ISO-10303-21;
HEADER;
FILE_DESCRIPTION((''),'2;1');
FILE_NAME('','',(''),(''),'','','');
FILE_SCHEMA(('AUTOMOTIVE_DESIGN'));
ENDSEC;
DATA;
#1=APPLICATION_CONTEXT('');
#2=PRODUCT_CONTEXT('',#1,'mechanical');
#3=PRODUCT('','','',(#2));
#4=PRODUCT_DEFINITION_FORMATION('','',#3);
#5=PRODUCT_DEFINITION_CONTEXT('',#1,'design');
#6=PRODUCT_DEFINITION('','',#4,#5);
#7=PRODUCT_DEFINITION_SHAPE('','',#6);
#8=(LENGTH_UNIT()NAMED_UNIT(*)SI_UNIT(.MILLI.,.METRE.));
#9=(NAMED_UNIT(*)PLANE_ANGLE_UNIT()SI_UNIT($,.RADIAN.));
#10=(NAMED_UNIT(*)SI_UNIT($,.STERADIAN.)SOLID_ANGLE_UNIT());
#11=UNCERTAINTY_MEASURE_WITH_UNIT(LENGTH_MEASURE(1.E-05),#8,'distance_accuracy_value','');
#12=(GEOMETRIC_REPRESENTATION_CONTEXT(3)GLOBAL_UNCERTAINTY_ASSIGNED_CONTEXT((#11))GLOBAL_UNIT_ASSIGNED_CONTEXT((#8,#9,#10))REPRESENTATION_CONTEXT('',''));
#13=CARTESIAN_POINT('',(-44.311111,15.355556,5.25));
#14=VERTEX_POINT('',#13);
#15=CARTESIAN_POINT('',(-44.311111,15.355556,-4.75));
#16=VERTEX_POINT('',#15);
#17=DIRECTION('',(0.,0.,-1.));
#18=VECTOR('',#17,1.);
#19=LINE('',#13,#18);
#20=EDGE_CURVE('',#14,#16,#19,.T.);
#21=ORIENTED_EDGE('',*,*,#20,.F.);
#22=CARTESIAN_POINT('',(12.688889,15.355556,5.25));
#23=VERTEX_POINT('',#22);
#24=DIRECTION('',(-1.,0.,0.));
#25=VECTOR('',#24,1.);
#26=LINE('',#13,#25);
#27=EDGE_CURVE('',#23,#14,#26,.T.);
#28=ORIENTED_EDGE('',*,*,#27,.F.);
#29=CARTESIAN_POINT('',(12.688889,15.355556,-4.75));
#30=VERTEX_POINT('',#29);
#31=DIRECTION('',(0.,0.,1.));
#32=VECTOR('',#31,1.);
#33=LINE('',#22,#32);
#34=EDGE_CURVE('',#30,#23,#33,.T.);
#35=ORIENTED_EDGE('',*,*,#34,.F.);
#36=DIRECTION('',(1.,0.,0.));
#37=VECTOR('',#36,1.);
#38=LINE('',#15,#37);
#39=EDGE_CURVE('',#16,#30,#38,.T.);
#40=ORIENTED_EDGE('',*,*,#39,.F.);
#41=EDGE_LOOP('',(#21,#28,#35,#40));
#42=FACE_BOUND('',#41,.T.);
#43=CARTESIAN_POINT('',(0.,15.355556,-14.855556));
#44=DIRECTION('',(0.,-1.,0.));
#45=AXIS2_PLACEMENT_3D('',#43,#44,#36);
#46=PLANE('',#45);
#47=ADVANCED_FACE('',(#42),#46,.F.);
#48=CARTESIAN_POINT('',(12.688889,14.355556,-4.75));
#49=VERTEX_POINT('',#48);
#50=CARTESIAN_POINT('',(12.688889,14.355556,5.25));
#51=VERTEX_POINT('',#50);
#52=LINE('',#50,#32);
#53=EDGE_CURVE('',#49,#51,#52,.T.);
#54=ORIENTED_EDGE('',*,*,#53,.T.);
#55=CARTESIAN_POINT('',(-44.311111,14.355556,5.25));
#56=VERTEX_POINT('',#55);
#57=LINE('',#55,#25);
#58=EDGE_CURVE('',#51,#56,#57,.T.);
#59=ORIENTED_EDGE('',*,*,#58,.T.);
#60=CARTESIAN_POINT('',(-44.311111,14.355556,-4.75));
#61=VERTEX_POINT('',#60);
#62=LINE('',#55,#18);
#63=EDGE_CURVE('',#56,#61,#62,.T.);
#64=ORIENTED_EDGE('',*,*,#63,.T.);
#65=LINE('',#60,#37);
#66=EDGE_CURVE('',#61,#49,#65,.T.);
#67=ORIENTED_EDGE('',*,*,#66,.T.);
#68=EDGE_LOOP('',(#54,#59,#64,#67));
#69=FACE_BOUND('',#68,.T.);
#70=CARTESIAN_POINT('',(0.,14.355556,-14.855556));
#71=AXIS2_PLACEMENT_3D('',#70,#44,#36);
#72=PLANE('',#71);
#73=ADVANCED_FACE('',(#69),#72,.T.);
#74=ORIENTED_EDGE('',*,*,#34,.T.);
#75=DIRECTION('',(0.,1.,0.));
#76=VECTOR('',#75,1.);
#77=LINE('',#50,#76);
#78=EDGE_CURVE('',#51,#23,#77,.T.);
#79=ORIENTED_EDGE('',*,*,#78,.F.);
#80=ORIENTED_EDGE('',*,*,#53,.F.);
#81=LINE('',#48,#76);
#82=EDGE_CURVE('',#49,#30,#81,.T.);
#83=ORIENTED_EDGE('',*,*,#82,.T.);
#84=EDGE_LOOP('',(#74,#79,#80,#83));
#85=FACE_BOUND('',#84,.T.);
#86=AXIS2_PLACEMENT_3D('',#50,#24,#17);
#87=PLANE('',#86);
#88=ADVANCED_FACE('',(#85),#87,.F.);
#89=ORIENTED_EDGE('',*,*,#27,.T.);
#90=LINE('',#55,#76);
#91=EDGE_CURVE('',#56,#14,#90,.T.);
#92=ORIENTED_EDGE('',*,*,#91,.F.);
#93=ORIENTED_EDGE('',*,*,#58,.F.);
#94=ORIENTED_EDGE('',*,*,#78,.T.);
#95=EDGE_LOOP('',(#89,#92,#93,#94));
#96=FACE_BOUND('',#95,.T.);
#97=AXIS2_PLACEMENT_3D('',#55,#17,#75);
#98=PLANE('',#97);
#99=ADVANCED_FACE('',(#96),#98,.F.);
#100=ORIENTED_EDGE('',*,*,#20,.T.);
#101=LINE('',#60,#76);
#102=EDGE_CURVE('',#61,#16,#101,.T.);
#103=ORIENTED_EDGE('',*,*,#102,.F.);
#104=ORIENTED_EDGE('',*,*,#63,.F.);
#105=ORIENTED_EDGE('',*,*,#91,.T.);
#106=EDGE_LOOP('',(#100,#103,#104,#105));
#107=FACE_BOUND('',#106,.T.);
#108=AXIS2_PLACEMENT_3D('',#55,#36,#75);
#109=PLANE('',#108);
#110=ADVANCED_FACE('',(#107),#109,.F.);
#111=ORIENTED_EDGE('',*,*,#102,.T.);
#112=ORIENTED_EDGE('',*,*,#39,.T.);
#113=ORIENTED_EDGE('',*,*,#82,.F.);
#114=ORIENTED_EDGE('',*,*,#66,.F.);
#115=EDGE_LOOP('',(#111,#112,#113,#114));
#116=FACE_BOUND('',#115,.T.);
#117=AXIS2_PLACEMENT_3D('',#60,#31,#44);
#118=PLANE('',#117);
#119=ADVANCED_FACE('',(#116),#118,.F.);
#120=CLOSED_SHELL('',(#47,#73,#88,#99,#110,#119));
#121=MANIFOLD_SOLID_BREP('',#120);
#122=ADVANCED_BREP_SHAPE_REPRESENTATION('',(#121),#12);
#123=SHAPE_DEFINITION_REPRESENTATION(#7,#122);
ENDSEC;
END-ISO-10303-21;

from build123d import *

# Parameters (mm, degrees)
SKETCH1_W             = 57
SKETCH1_H             = 10
BOSS_EXTRUDE1_DEPTH   = 1
BODY_MOVE_COPY1_ANGLE = 90


with BuildPart() as part:
    # Sketch1 → Boss-Extrude1 (new body)
    with BuildSketch(Plane.XY):
        with Locations((-15.811111111, 15.105555556)):
            Rectangle(SKETCH1_W, SKETCH1_H)
    extrude(amount=BOSS_EXTRUDE1_DEPTH)


with BuildPart() as part_1:
    # Body-Move/Copy1: moved
    add(part.part.rotate(Axis((0, 15.105555556, 0.25), (1, 0, 0)), BODY_MOVE_COPY1_ANGLE))


solid = part_1.part
